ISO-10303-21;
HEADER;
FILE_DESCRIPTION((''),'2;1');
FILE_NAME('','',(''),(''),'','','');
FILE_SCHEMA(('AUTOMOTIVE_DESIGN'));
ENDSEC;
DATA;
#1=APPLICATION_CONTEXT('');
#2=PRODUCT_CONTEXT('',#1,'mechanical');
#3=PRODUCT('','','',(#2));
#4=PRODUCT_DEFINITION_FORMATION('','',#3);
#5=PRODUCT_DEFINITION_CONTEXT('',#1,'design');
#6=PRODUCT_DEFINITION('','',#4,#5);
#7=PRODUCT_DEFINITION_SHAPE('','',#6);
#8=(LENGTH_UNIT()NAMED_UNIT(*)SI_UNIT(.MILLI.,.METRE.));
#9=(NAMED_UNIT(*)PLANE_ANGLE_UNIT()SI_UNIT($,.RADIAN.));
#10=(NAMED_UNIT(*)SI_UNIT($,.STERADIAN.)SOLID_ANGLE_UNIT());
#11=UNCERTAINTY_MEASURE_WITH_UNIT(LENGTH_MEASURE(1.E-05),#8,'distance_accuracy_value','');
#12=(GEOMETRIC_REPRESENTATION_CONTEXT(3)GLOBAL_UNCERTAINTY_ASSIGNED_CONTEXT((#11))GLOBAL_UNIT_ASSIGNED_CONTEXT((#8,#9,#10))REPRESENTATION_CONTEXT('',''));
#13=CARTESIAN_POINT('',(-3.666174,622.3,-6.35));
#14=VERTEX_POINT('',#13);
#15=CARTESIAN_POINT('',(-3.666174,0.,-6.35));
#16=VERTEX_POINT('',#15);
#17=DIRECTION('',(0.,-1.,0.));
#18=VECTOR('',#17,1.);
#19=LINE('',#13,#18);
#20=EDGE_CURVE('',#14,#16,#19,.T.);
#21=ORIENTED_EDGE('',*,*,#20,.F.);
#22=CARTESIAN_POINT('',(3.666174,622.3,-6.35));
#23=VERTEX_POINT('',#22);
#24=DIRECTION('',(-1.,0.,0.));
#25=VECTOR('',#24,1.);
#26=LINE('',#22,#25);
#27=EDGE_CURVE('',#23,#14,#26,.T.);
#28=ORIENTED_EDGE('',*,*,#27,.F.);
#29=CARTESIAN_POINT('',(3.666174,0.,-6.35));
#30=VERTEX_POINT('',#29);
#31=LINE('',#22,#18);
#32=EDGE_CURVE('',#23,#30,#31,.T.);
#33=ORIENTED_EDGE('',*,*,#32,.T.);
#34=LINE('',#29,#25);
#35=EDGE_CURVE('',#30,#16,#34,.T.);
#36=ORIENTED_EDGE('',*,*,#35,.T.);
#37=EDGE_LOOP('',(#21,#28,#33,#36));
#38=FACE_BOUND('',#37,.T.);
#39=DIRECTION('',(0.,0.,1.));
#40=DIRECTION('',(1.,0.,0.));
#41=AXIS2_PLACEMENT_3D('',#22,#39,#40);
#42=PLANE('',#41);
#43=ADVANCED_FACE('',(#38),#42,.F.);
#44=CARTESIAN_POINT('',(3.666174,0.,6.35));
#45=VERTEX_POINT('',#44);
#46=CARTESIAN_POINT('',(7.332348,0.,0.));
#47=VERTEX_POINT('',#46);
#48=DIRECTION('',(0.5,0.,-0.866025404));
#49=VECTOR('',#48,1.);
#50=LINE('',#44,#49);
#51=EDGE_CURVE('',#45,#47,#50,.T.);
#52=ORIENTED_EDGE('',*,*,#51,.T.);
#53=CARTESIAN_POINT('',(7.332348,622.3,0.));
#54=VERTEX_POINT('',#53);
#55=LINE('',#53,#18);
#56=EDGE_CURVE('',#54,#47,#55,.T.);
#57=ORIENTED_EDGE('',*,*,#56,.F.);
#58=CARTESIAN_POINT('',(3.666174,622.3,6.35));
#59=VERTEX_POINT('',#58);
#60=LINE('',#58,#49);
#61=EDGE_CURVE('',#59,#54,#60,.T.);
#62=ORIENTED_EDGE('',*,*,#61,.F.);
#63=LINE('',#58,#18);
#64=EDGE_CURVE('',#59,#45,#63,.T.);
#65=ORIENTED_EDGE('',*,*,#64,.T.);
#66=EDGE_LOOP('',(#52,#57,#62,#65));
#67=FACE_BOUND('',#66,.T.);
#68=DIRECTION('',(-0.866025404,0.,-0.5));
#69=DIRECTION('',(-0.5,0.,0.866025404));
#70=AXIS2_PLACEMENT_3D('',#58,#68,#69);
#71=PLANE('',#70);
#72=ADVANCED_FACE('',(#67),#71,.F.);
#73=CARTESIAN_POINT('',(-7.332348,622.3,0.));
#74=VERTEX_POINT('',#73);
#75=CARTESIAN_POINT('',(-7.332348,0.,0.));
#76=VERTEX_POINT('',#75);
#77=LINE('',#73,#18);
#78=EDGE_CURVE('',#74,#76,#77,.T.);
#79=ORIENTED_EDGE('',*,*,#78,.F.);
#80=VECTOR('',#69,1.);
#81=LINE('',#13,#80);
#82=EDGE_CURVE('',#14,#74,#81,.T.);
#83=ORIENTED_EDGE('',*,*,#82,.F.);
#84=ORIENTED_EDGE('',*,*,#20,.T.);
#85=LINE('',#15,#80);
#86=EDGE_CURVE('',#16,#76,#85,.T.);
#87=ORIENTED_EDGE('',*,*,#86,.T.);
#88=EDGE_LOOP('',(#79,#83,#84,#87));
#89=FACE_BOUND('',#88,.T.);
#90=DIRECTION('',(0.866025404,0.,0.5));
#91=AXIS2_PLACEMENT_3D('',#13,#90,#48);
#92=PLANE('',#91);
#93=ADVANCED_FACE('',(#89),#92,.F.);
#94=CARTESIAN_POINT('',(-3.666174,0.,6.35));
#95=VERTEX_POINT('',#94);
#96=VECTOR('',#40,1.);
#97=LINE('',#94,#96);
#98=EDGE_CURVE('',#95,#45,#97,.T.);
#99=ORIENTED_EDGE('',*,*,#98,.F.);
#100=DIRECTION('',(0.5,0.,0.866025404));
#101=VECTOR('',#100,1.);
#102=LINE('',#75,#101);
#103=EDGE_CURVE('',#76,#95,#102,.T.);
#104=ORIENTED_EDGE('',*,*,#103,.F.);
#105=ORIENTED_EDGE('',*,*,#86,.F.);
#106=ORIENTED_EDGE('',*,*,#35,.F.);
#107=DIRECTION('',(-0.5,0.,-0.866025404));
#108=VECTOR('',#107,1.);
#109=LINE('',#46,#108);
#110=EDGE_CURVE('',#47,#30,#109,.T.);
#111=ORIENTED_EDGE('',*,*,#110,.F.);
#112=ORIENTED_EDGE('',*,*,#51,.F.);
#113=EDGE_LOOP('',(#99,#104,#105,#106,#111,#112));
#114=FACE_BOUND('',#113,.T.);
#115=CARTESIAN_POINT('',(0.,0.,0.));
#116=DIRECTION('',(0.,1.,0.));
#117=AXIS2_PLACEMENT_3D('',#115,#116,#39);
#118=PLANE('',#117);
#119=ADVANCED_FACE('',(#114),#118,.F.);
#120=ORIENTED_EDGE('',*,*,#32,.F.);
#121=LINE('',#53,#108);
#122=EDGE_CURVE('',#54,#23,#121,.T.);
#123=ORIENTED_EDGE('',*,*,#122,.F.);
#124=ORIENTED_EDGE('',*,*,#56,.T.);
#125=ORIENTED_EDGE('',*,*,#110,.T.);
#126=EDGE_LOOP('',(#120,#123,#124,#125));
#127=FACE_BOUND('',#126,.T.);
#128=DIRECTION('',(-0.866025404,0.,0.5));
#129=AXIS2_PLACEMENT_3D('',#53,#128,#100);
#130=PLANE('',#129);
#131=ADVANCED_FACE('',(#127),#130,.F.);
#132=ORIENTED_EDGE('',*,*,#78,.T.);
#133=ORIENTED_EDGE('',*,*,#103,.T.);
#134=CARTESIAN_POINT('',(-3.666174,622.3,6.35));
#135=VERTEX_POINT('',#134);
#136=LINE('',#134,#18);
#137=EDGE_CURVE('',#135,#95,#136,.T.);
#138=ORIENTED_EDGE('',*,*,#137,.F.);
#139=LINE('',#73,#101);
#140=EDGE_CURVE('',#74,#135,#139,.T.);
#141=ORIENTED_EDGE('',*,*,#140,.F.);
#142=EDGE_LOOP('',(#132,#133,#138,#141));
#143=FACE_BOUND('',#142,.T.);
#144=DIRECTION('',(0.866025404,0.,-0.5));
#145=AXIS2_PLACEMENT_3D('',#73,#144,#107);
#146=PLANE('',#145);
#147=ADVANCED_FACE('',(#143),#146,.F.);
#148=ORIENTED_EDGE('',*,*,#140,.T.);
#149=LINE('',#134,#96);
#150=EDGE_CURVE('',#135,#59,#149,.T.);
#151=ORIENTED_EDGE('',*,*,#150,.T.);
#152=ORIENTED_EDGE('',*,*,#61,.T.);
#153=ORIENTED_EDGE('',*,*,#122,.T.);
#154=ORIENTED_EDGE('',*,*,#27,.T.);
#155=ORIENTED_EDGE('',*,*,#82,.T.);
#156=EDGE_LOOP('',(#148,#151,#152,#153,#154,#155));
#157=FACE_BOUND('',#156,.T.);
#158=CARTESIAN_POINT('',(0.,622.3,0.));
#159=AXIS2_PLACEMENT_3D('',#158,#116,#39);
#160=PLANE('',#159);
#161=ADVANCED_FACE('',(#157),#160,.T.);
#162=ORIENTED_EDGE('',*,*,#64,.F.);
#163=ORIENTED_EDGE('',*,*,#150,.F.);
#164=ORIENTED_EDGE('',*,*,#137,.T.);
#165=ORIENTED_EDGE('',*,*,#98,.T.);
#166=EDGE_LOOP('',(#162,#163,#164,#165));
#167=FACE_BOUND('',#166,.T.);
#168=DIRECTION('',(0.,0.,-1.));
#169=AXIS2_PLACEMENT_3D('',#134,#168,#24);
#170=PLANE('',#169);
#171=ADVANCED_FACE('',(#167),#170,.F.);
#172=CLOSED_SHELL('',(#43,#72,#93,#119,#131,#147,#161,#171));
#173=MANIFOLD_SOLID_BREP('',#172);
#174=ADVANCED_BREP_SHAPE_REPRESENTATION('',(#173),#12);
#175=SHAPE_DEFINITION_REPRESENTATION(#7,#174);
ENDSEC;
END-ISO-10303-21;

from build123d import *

# Parameters (mm, degrees)
BOSS_EXTRUDE1_DEPTH = 622.3


with BuildPart() as part:
    # Sketch1 → Boss-Extrude1 (new body)
    with BuildSketch(Plane(origin=(0, 0, 0), x_dir=(1, 0, 0), z_dir=(0, 1, 0))):
        Polygon((3.666174209, -6.35), (7.332348419, 0), (3.666174209, 6.35), (-3.666174209, 6.35), (-7.332348419, 0), (-3.666174209, -6.35), align=None)
    extrude(amount=BOSS_EXTRUDE1_DEPTH)


solid = part.part
